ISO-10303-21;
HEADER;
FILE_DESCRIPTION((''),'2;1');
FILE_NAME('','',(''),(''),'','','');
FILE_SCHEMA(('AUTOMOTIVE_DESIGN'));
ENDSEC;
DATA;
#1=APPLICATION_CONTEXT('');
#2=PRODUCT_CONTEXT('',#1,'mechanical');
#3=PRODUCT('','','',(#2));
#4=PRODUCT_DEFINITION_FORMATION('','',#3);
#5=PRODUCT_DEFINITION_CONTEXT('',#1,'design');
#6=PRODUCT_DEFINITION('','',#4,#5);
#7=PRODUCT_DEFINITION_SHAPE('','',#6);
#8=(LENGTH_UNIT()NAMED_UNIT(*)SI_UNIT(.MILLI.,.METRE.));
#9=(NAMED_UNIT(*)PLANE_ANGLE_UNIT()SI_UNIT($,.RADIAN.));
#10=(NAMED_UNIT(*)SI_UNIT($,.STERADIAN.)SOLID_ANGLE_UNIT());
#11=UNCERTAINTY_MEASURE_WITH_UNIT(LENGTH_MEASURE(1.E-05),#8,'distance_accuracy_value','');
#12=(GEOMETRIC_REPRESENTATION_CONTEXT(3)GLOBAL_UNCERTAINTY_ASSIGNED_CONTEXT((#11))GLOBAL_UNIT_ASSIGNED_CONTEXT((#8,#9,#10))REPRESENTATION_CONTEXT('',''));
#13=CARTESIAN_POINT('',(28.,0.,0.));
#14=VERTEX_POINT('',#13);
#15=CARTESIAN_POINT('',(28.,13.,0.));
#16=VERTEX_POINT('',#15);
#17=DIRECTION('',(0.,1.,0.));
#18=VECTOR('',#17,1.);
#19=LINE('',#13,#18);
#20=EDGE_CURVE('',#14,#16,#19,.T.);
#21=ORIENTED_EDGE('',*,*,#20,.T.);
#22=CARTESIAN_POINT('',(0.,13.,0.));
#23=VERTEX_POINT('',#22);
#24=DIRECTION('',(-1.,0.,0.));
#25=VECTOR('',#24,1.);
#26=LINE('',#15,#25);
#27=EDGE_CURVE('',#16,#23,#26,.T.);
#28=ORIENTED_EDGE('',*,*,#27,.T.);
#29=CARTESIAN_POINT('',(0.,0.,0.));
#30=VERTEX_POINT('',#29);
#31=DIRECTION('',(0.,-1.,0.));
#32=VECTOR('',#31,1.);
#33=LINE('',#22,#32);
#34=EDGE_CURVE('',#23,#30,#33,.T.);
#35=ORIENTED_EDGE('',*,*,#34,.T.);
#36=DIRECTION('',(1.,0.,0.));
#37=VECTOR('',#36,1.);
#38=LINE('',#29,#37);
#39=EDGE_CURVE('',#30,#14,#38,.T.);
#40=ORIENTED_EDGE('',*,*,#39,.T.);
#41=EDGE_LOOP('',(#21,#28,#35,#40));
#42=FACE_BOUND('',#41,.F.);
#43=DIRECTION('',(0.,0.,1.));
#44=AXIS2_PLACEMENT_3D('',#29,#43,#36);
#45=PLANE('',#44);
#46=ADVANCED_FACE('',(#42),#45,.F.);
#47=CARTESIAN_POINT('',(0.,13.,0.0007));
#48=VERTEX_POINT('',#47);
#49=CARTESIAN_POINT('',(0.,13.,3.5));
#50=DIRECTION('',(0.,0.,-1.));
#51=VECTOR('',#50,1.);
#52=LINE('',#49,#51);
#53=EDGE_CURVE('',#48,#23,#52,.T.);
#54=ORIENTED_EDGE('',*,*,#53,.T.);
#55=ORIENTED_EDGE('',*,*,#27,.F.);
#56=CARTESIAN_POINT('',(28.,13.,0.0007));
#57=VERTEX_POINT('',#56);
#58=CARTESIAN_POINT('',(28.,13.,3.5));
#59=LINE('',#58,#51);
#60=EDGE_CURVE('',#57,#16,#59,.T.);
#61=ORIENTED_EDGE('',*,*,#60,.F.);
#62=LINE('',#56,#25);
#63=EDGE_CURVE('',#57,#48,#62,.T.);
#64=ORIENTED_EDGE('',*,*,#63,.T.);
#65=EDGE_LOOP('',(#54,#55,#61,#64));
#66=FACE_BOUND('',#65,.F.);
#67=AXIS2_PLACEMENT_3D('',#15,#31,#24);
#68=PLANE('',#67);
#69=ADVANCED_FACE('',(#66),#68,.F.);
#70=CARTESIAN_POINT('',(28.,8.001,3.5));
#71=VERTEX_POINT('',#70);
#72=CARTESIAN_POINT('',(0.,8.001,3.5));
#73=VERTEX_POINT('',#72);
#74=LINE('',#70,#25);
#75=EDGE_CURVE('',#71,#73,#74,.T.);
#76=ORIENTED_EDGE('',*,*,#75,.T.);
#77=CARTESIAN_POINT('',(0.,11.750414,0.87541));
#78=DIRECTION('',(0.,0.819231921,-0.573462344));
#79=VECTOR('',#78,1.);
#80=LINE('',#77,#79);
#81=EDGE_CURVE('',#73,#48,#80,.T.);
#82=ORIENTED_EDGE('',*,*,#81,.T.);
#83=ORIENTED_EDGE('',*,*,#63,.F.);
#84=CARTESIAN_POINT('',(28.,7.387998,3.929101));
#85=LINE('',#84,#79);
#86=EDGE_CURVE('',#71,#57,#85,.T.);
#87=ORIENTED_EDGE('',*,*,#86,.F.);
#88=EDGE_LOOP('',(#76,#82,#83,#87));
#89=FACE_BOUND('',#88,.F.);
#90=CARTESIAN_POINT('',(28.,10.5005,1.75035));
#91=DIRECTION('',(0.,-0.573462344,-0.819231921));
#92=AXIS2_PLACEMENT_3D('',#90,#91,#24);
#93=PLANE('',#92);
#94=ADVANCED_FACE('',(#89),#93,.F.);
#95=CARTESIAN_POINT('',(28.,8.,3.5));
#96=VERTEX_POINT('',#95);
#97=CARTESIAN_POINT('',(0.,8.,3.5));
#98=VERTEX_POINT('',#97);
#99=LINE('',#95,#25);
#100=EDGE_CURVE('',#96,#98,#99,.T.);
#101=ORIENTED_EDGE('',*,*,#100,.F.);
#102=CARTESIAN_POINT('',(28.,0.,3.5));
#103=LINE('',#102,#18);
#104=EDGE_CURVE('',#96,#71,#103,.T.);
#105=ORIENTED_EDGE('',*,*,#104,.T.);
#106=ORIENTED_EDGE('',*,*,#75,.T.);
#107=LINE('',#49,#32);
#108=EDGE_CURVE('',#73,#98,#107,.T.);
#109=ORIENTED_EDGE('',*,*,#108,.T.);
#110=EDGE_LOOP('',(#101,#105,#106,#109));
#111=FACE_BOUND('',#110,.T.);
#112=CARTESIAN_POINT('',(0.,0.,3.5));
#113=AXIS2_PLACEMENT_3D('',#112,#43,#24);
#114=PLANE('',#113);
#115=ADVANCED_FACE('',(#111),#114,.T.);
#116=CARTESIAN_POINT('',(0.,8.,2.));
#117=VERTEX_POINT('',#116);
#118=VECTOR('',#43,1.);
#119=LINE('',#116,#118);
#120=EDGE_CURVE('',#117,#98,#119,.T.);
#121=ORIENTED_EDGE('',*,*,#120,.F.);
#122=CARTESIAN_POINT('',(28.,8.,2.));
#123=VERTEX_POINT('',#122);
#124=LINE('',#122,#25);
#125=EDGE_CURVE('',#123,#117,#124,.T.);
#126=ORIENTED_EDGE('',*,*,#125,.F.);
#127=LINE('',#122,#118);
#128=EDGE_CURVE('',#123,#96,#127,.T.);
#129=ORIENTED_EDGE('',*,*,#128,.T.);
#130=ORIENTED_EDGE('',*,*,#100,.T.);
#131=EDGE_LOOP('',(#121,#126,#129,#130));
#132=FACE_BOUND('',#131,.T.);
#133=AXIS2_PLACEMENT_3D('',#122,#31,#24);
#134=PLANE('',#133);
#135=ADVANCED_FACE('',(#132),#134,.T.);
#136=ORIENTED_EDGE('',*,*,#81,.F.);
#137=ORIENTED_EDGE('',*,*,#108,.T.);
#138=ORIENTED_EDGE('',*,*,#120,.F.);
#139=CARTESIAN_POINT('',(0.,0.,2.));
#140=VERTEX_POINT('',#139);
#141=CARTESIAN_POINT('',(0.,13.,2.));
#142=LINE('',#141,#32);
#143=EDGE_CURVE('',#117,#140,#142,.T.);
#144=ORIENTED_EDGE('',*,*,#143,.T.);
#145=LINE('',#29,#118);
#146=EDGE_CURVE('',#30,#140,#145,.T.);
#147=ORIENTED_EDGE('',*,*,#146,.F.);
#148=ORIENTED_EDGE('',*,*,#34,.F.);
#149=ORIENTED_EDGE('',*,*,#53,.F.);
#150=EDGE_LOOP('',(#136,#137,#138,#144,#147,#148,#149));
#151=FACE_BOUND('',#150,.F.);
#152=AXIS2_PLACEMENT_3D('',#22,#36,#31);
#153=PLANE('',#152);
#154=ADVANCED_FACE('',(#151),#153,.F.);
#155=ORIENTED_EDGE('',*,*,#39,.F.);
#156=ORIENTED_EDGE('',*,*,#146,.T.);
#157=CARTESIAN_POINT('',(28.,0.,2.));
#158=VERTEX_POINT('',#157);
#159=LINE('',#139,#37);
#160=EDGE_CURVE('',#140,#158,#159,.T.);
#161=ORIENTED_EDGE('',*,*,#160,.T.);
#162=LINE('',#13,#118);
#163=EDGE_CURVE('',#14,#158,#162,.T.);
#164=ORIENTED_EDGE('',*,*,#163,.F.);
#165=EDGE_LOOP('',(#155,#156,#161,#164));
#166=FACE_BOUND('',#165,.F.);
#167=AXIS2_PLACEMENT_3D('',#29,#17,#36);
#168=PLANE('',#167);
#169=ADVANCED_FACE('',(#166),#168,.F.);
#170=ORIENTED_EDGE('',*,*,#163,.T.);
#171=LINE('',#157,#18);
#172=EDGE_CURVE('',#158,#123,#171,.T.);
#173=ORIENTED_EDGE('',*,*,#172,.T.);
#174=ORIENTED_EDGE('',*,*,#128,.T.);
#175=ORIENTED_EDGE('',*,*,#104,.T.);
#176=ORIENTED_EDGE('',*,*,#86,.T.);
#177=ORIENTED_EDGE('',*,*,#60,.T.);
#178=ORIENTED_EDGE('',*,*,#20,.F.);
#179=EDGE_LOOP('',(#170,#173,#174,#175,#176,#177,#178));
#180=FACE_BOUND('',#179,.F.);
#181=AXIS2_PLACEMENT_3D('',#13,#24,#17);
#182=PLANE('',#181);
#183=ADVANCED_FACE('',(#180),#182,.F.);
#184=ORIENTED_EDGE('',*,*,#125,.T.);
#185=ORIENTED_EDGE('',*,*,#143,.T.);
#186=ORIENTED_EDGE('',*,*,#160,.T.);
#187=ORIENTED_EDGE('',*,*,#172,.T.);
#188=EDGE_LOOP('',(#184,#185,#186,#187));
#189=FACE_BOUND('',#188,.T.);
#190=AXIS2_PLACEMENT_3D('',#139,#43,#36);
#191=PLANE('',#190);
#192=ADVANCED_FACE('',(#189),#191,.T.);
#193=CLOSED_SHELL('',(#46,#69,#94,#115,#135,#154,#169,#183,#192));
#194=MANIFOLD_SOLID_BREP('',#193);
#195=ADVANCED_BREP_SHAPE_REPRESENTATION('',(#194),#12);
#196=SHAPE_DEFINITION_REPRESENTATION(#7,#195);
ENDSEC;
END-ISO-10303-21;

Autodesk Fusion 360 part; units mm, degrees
sketch "Esquisse1" plane through (0, 0, 0) normal (0, 0, 1) x (1, 0, 0)
  line L0 (0, 0) -> (28, 0)
  line L1 (28, 0) -> (28, 13)
  line L2 (28, 13) -> (0, 13)
  line L3 (0, 13) -> (0, 0)
  dimension "d1" = 28
  dimension "d2" = 13
extrude "Extrusion1" add sketch "Esquisse1" along normal blind 2
sketch "Esquisse2" plane through (0, 0, 2) normal (0, 0, 1) x (-1, 0, 0)
  line L0 (0, -13) -> (0, 0)
  line L1 (0, 0) -> (-28, 0)
  line L2 (-28, 0) -> (-28, -13)
  line L3 (-28, -13) -> (0, -13)
  line L4 (0, -13) -> (-28, -13)
  line L5 (-28, -13) -> (-28, -8)
  line L6 (-28, -8) -> (0, -8)
  line L7 (0, -8) -> (0, -13)
  dimension "d5" = 5
extrude "Extrusion2" add sketch "Esquisse2" along normal blind 1.5 contours L0 L2 L3 L4 L5 L6 L7
chamfer "Chanfrein1" distance 5 distance2 3.5 1 edges at (14, 13, 3.5) measured on face at (9.3333, 11.3333, 3.5)
